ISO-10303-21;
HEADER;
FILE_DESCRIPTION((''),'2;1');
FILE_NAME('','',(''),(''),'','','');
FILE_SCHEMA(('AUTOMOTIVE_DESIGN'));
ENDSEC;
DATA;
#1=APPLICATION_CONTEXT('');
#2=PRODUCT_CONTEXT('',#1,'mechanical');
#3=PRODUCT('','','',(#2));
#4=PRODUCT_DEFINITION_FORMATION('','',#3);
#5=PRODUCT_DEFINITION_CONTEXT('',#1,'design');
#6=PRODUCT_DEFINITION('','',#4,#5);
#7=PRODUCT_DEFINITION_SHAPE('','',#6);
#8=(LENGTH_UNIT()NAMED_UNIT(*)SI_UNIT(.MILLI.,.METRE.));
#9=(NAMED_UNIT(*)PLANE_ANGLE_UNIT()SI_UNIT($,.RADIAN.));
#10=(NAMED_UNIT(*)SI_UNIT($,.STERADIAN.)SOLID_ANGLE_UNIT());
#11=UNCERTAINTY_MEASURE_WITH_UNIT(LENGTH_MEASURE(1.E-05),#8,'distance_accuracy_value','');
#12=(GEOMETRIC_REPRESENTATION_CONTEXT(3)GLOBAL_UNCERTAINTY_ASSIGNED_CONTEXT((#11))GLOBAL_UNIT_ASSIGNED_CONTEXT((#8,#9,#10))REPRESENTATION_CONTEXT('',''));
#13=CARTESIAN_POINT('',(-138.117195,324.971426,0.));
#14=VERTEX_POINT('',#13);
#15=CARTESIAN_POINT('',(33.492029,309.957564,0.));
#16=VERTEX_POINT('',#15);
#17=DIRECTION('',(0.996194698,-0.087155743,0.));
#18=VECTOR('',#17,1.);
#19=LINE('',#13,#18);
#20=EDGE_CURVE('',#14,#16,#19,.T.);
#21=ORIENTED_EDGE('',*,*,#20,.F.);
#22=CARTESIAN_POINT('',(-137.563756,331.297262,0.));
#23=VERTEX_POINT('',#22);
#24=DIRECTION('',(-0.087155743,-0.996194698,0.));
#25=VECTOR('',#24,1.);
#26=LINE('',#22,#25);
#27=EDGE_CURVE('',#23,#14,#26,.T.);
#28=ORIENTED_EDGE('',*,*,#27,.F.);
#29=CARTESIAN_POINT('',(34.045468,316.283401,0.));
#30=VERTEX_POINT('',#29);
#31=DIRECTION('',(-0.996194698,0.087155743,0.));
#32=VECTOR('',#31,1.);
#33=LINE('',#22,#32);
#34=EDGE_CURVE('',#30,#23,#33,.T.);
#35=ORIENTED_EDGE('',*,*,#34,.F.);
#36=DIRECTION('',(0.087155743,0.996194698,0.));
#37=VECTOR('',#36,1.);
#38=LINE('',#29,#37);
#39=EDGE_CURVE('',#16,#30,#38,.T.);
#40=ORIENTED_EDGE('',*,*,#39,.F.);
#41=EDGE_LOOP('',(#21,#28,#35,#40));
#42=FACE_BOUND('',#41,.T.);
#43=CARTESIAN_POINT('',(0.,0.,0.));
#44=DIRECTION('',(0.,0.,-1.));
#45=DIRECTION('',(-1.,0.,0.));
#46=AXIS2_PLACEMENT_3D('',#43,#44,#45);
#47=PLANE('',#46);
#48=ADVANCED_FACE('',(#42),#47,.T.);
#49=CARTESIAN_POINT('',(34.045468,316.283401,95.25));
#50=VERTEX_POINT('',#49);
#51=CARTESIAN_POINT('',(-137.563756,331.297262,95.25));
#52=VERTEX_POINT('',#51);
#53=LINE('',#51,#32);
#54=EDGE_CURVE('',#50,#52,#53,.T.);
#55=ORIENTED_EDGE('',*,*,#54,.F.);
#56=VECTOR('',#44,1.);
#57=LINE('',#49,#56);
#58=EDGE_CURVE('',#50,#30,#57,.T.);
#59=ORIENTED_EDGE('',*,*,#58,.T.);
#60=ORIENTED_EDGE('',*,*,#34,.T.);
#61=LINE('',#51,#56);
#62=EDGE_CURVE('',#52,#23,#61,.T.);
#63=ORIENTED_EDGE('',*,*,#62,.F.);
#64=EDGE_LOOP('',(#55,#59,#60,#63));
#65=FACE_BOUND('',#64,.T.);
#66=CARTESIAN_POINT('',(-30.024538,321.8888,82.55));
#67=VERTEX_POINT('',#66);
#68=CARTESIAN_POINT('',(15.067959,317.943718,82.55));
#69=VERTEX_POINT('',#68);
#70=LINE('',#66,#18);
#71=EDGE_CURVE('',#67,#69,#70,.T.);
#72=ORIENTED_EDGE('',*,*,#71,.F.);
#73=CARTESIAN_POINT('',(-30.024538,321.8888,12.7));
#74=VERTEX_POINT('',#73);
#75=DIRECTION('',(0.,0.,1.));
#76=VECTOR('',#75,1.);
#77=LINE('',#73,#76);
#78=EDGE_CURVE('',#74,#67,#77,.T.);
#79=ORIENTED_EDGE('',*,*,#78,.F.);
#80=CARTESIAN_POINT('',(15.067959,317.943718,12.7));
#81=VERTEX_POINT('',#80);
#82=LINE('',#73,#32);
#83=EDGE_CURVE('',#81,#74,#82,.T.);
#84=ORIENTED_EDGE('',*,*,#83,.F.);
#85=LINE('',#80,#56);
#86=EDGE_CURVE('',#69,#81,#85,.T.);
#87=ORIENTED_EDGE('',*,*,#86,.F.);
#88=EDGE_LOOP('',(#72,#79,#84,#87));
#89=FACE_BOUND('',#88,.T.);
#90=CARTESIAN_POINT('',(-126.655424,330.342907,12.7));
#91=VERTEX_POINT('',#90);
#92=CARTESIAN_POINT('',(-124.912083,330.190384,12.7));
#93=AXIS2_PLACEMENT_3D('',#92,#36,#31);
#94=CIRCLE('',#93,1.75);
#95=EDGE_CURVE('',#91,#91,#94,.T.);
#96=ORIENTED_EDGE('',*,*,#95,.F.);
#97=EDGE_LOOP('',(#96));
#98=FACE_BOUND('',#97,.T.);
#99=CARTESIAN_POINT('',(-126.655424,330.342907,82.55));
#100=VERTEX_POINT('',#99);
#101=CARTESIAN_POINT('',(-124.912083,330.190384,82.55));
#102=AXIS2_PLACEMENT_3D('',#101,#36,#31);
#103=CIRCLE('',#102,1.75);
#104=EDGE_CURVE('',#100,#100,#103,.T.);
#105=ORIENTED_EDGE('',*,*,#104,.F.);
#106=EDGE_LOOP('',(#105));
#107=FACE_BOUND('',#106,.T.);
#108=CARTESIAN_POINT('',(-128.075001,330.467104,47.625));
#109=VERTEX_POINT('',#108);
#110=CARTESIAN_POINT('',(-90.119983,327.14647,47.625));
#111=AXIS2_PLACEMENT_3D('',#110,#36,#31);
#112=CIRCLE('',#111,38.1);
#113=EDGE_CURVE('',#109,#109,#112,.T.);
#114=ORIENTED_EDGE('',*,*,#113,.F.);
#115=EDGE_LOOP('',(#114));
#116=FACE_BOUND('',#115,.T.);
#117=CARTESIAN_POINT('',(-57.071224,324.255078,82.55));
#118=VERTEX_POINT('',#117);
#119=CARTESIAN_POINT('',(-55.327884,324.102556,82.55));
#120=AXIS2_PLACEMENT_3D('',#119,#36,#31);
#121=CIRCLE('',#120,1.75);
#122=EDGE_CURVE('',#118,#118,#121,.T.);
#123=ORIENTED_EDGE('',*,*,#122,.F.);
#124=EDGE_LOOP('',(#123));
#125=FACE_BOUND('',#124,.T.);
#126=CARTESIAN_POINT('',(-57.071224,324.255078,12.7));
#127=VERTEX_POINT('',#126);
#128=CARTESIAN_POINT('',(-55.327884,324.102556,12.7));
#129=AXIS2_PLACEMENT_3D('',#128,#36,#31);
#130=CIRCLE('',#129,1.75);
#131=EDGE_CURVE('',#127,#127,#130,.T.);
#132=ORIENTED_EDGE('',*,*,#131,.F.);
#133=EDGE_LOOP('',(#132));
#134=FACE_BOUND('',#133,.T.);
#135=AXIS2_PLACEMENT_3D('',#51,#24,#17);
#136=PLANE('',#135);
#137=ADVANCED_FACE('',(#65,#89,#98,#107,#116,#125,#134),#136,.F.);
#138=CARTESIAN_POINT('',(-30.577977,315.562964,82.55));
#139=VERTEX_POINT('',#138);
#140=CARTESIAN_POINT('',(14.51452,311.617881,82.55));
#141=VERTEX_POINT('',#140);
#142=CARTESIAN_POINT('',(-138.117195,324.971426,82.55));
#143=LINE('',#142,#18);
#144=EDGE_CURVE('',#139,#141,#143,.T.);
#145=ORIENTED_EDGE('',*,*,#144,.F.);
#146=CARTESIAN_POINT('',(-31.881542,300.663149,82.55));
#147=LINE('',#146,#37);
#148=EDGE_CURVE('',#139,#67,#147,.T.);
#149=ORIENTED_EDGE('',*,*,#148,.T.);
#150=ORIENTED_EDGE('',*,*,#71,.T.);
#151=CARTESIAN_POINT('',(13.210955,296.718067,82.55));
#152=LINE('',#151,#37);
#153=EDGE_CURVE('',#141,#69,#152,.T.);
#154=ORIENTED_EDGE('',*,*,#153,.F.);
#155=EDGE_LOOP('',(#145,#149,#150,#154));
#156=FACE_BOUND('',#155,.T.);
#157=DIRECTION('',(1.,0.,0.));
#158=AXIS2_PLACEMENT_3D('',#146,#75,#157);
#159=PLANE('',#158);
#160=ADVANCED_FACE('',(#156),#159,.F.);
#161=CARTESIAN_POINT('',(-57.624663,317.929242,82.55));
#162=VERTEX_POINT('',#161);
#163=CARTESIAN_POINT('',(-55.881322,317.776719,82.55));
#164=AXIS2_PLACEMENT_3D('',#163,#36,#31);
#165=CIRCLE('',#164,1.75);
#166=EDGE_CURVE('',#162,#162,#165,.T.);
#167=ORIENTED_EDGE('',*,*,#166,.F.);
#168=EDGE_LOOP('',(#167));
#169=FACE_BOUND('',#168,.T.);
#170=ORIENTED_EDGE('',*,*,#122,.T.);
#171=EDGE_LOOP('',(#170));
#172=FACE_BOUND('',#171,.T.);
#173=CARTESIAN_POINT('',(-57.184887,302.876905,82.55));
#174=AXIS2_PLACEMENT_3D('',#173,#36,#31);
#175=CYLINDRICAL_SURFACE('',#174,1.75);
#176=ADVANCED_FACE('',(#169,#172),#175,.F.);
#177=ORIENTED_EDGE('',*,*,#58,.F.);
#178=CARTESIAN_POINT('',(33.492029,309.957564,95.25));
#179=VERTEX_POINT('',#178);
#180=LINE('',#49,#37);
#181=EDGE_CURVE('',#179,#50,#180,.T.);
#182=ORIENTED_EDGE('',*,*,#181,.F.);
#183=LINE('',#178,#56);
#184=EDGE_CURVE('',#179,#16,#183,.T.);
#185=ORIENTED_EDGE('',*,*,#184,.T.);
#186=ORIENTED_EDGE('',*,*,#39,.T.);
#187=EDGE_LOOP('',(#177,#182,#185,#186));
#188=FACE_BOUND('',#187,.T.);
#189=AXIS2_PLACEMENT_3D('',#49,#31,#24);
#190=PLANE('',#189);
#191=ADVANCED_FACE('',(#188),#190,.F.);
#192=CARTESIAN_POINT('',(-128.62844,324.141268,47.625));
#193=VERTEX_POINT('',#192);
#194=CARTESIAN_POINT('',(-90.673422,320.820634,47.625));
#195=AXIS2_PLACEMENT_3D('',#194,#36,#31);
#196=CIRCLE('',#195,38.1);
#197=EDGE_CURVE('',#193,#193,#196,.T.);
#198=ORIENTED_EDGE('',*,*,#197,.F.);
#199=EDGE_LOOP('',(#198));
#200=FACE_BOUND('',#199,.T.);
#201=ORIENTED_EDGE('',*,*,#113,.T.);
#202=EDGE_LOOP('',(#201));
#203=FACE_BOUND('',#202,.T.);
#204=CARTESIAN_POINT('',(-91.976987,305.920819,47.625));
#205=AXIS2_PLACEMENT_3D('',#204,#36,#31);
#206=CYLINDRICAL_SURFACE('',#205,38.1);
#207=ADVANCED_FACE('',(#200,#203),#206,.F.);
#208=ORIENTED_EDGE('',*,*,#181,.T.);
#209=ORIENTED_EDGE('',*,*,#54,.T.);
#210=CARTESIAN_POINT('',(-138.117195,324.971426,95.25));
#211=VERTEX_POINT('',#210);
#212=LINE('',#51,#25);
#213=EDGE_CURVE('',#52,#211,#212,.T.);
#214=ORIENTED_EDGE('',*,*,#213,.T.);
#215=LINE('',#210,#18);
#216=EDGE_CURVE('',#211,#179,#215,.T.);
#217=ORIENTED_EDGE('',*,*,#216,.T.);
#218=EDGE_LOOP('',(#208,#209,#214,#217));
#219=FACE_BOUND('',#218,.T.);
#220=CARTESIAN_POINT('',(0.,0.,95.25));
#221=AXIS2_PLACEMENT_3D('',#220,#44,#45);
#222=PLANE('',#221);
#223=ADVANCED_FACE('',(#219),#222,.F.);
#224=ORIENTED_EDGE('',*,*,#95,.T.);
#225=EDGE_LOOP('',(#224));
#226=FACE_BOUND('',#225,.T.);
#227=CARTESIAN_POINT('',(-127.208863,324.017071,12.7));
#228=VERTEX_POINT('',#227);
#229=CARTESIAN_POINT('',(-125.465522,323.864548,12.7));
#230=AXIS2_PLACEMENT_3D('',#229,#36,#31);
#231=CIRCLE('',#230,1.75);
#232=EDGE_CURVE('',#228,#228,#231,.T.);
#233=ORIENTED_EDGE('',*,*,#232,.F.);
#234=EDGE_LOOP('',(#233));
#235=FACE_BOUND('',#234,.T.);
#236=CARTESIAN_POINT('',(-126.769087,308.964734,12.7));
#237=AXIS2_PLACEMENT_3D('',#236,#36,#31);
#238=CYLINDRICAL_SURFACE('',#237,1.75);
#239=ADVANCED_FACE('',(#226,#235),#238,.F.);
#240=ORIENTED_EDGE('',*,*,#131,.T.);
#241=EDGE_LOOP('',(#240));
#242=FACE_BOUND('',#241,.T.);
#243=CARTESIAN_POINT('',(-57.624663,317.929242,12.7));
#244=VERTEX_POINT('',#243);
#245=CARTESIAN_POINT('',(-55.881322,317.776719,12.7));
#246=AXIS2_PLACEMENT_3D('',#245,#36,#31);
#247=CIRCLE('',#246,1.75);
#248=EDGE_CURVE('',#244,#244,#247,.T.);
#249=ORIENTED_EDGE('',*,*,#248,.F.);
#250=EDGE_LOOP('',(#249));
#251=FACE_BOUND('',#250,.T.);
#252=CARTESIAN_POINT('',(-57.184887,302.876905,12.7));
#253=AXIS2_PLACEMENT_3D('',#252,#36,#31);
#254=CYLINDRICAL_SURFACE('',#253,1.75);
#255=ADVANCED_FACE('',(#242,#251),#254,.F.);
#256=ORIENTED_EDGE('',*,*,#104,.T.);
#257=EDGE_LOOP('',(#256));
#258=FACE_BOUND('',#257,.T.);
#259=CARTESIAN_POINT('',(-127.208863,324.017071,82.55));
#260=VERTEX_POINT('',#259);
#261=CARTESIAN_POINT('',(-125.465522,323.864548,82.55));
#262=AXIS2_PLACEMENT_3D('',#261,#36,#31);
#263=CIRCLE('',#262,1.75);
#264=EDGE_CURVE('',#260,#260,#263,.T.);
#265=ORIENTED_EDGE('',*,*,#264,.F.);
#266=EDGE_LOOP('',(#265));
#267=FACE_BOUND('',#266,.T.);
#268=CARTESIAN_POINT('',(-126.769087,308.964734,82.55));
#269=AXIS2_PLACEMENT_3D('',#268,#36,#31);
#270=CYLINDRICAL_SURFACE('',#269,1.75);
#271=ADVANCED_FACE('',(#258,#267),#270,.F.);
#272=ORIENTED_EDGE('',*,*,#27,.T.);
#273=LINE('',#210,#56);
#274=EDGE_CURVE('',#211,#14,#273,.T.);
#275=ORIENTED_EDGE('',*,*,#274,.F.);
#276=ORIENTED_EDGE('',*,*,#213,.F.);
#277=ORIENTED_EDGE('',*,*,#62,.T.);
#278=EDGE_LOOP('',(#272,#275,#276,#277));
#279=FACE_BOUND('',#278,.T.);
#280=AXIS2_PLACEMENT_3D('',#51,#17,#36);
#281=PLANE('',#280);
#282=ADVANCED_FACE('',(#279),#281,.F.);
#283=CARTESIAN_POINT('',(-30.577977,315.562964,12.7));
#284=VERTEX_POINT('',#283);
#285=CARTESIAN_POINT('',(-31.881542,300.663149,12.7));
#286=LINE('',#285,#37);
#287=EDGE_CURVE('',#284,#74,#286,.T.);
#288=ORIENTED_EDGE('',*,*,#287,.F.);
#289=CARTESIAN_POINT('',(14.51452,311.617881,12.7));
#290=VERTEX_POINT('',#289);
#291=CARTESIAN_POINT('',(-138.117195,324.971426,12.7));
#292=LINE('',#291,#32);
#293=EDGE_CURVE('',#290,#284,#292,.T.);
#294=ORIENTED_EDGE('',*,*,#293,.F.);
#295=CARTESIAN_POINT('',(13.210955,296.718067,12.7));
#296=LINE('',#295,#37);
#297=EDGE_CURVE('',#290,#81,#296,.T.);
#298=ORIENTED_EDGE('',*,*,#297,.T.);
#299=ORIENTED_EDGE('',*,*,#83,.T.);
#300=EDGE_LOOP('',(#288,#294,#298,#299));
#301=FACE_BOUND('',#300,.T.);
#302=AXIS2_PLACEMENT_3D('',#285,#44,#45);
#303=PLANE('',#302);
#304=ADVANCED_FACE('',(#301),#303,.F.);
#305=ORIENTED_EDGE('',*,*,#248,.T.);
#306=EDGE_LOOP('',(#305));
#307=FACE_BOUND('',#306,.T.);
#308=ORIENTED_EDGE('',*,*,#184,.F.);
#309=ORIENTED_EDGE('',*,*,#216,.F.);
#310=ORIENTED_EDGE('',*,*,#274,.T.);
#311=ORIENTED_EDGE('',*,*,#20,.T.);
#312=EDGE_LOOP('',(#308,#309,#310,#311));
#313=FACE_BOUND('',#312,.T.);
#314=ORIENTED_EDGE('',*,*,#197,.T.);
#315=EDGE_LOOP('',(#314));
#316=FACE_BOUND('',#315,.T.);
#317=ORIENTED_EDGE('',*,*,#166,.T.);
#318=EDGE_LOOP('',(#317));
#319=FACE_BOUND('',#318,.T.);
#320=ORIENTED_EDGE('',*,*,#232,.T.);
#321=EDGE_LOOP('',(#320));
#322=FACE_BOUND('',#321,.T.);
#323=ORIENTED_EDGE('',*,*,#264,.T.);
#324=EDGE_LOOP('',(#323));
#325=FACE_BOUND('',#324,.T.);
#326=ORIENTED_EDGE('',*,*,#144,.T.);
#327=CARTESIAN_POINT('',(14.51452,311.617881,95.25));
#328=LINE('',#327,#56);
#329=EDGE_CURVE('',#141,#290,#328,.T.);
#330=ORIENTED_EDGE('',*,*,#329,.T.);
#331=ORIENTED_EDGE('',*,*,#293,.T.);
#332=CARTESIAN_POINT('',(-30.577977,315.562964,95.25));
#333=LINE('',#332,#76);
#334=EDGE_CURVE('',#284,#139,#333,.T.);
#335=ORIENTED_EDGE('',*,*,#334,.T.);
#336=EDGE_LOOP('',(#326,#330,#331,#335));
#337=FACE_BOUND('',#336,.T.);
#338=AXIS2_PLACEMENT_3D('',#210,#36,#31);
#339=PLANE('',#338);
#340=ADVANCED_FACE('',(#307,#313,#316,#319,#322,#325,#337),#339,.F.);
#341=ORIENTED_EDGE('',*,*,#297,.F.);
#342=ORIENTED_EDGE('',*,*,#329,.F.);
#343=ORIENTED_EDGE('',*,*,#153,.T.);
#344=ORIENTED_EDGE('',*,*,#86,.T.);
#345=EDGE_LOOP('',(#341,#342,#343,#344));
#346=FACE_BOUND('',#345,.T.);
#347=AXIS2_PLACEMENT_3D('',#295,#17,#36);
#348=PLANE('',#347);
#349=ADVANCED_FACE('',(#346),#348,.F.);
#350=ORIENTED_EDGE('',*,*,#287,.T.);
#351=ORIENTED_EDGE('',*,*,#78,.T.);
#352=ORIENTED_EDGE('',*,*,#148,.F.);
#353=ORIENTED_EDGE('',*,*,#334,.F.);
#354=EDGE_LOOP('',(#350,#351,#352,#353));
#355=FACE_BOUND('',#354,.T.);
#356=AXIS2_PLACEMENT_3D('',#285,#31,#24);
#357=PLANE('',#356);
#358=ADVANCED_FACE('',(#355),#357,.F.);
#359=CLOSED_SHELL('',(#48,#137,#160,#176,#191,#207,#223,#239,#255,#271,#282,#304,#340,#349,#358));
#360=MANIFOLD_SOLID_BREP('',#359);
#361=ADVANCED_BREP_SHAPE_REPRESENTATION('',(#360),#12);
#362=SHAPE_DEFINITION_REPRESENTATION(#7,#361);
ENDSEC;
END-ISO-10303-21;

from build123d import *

# Parameters (mm, degrees)
BOSS_EXTRUDE1_DEPTH = 95.25
SKETCH3_R           = 38.1
CUT_EXTRUDE1_DEPTH  = 22.306729365
SKETCH4_R           = 1.75
CUT_EXTRUDE2_DEPTH  = 22.306729365
SKETCH5_W           = 45.264743179
SKETCH5_H           = 69.85
CUT_EXTRUDE3_DEPTH  = 22.306729365


with BuildPart() as part:
    # Sketch2 → Boss-Extrude1 (new body)
    with BuildSketch(Plane.XY):
        Polygon((-137.563755829, 331.29726238), (-138.117194795, 324.971426047), (33.492029028, 309.957564406), (34.045467994, 316.283400739), align=None)
    extrude(amount=BOSS_EXTRUDE1_DEPTH)

    # Sketch3 → Cut-Extrude1 (cut, through all)
    with BuildSketch(Plane(origin=(27.719631662, 316.836839705, 0), x_dir=(0.996194698, -0.087155743, 0), z_dir=(0.087155743, 0.996194698, 0))):
        with Locations((-118.289743179, -47.625)):
            Circle(SKETCH3_R)
    extrude(amount=-CUT_EXTRUDE1_DEPTH, mode=Mode.SUBTRACT)

    # Sketch4 → Cut-Extrude2 (cut, through all)
    with BuildSketch(Plane(origin=(27.719631662, 316.836839705, 0), x_dir=(0.996194698, -0.087155743, 0), z_dir=(0.087155743, 0.996194698, 0))):
        with Locations((-153.214743179, -12.7)):
            Circle(SKETCH4_R)
        with Locations((-153.214743179, -82.55)):
            Circle(SKETCH4_R)
        with Locations((-83.364743179, -82.55)):
            Circle(SKETCH4_R)
        with Locations((-83.364743179, -12.7)):
            Circle(SKETCH4_R)
    extrude(amount=-CUT_EXTRUDE2_DEPTH, mode=Mode.SUBTRACT)

    # Sketch5 → Cut-Extrude3 (cut, through all)
    with BuildSketch(Plane(origin=(27.719631662, 316.836839705, 0), x_dir=(0.996194698, -0.087155743, 0), z_dir=(0.087155743, 0.996194698, 0))):
        with Locations((-35.332371589, -47.625)):
            Rectangle(SKETCH5_W, SKETCH5_H)
    extrude(amount=-CUT_EXTRUDE3_DEPTH, mode=Mode.SUBTRACT)


solid = part.part
